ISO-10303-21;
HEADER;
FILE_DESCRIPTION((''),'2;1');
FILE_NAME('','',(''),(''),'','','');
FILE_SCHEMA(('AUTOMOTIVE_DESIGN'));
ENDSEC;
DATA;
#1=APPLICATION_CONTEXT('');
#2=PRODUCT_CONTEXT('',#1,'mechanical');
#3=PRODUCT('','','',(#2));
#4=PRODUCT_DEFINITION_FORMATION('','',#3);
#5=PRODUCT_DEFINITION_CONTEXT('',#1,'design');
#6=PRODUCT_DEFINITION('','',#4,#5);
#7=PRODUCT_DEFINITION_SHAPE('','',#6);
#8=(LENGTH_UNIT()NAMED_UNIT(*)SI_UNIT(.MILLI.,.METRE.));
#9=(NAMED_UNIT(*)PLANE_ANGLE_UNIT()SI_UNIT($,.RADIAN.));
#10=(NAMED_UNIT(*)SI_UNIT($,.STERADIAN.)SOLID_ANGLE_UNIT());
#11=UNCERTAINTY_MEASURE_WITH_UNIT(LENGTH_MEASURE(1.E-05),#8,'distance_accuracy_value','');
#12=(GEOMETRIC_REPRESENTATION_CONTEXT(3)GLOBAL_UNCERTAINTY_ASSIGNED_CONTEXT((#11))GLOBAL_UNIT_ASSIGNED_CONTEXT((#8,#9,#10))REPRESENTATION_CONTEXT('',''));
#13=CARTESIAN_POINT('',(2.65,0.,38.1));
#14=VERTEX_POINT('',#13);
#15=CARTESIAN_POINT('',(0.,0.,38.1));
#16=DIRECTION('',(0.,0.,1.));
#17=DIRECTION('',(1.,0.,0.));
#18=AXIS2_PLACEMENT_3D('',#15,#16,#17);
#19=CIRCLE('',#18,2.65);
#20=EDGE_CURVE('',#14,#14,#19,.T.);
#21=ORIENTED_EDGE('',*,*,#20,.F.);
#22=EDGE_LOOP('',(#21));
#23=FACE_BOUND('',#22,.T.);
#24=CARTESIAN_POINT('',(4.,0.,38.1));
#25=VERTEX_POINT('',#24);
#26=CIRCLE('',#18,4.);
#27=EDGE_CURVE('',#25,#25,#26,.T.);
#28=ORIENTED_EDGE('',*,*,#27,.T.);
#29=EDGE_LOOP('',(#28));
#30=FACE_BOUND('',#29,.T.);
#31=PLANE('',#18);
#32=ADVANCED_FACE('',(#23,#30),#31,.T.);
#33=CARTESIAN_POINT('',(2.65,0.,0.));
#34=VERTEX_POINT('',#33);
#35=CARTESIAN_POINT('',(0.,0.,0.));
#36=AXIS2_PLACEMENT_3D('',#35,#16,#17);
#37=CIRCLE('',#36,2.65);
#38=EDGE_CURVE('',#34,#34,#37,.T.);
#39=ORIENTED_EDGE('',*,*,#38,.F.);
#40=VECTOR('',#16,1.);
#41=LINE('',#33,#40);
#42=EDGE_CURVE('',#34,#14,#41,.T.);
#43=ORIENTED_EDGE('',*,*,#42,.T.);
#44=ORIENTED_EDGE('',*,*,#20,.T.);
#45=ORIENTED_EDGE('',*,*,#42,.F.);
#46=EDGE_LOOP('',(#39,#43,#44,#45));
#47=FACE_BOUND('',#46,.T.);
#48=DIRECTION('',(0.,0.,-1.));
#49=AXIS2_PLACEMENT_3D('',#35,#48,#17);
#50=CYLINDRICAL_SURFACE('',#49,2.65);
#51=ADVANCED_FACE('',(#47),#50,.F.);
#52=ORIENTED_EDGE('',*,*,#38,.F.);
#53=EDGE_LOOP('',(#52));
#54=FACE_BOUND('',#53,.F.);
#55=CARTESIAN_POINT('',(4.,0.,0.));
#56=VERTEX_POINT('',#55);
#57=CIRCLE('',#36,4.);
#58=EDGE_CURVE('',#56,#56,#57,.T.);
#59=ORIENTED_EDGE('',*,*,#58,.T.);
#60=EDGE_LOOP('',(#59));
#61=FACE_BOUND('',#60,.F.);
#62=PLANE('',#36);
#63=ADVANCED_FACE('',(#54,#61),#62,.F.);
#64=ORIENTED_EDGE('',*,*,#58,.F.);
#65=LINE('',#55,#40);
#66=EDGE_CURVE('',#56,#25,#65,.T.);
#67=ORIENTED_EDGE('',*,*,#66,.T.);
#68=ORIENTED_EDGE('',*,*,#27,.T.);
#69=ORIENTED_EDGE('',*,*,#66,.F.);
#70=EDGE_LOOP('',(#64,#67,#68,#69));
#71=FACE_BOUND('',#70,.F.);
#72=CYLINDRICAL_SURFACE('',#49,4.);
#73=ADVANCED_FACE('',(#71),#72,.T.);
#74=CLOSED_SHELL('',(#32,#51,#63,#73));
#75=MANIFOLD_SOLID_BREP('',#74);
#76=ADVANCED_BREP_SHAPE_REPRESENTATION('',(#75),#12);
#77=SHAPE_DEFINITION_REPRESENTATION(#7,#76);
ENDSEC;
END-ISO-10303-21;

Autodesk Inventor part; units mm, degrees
ref_plane "YZ Plane" through (0, 0, 0) normal (1, 0, 0) x (0, 1, 0)
ref_plane "XZ Plane" through (0, 0, 0) normal (0, 1, 0) x (-1, 0, 0)
ref_plane "XY Plane" through (0, 0, 0) normal (0, 0, 1) x (1, 0, 0)
sketch "Sketch1" plane through (0, 0, 0) normal (0, 0, 1) x (1, 0, 0)
  circle A0 centre (0, 0) radius 2.65
  circle A1 centre (0, 0) radius 4
  dimension "d0" = 5.3
  dimension "d3" = 8
extrude "Extrusion1" add sketch "Sketch1" along normal blind 38.1
properties part number "1.5 in Al Spacer" material "Aluminum 6061"
